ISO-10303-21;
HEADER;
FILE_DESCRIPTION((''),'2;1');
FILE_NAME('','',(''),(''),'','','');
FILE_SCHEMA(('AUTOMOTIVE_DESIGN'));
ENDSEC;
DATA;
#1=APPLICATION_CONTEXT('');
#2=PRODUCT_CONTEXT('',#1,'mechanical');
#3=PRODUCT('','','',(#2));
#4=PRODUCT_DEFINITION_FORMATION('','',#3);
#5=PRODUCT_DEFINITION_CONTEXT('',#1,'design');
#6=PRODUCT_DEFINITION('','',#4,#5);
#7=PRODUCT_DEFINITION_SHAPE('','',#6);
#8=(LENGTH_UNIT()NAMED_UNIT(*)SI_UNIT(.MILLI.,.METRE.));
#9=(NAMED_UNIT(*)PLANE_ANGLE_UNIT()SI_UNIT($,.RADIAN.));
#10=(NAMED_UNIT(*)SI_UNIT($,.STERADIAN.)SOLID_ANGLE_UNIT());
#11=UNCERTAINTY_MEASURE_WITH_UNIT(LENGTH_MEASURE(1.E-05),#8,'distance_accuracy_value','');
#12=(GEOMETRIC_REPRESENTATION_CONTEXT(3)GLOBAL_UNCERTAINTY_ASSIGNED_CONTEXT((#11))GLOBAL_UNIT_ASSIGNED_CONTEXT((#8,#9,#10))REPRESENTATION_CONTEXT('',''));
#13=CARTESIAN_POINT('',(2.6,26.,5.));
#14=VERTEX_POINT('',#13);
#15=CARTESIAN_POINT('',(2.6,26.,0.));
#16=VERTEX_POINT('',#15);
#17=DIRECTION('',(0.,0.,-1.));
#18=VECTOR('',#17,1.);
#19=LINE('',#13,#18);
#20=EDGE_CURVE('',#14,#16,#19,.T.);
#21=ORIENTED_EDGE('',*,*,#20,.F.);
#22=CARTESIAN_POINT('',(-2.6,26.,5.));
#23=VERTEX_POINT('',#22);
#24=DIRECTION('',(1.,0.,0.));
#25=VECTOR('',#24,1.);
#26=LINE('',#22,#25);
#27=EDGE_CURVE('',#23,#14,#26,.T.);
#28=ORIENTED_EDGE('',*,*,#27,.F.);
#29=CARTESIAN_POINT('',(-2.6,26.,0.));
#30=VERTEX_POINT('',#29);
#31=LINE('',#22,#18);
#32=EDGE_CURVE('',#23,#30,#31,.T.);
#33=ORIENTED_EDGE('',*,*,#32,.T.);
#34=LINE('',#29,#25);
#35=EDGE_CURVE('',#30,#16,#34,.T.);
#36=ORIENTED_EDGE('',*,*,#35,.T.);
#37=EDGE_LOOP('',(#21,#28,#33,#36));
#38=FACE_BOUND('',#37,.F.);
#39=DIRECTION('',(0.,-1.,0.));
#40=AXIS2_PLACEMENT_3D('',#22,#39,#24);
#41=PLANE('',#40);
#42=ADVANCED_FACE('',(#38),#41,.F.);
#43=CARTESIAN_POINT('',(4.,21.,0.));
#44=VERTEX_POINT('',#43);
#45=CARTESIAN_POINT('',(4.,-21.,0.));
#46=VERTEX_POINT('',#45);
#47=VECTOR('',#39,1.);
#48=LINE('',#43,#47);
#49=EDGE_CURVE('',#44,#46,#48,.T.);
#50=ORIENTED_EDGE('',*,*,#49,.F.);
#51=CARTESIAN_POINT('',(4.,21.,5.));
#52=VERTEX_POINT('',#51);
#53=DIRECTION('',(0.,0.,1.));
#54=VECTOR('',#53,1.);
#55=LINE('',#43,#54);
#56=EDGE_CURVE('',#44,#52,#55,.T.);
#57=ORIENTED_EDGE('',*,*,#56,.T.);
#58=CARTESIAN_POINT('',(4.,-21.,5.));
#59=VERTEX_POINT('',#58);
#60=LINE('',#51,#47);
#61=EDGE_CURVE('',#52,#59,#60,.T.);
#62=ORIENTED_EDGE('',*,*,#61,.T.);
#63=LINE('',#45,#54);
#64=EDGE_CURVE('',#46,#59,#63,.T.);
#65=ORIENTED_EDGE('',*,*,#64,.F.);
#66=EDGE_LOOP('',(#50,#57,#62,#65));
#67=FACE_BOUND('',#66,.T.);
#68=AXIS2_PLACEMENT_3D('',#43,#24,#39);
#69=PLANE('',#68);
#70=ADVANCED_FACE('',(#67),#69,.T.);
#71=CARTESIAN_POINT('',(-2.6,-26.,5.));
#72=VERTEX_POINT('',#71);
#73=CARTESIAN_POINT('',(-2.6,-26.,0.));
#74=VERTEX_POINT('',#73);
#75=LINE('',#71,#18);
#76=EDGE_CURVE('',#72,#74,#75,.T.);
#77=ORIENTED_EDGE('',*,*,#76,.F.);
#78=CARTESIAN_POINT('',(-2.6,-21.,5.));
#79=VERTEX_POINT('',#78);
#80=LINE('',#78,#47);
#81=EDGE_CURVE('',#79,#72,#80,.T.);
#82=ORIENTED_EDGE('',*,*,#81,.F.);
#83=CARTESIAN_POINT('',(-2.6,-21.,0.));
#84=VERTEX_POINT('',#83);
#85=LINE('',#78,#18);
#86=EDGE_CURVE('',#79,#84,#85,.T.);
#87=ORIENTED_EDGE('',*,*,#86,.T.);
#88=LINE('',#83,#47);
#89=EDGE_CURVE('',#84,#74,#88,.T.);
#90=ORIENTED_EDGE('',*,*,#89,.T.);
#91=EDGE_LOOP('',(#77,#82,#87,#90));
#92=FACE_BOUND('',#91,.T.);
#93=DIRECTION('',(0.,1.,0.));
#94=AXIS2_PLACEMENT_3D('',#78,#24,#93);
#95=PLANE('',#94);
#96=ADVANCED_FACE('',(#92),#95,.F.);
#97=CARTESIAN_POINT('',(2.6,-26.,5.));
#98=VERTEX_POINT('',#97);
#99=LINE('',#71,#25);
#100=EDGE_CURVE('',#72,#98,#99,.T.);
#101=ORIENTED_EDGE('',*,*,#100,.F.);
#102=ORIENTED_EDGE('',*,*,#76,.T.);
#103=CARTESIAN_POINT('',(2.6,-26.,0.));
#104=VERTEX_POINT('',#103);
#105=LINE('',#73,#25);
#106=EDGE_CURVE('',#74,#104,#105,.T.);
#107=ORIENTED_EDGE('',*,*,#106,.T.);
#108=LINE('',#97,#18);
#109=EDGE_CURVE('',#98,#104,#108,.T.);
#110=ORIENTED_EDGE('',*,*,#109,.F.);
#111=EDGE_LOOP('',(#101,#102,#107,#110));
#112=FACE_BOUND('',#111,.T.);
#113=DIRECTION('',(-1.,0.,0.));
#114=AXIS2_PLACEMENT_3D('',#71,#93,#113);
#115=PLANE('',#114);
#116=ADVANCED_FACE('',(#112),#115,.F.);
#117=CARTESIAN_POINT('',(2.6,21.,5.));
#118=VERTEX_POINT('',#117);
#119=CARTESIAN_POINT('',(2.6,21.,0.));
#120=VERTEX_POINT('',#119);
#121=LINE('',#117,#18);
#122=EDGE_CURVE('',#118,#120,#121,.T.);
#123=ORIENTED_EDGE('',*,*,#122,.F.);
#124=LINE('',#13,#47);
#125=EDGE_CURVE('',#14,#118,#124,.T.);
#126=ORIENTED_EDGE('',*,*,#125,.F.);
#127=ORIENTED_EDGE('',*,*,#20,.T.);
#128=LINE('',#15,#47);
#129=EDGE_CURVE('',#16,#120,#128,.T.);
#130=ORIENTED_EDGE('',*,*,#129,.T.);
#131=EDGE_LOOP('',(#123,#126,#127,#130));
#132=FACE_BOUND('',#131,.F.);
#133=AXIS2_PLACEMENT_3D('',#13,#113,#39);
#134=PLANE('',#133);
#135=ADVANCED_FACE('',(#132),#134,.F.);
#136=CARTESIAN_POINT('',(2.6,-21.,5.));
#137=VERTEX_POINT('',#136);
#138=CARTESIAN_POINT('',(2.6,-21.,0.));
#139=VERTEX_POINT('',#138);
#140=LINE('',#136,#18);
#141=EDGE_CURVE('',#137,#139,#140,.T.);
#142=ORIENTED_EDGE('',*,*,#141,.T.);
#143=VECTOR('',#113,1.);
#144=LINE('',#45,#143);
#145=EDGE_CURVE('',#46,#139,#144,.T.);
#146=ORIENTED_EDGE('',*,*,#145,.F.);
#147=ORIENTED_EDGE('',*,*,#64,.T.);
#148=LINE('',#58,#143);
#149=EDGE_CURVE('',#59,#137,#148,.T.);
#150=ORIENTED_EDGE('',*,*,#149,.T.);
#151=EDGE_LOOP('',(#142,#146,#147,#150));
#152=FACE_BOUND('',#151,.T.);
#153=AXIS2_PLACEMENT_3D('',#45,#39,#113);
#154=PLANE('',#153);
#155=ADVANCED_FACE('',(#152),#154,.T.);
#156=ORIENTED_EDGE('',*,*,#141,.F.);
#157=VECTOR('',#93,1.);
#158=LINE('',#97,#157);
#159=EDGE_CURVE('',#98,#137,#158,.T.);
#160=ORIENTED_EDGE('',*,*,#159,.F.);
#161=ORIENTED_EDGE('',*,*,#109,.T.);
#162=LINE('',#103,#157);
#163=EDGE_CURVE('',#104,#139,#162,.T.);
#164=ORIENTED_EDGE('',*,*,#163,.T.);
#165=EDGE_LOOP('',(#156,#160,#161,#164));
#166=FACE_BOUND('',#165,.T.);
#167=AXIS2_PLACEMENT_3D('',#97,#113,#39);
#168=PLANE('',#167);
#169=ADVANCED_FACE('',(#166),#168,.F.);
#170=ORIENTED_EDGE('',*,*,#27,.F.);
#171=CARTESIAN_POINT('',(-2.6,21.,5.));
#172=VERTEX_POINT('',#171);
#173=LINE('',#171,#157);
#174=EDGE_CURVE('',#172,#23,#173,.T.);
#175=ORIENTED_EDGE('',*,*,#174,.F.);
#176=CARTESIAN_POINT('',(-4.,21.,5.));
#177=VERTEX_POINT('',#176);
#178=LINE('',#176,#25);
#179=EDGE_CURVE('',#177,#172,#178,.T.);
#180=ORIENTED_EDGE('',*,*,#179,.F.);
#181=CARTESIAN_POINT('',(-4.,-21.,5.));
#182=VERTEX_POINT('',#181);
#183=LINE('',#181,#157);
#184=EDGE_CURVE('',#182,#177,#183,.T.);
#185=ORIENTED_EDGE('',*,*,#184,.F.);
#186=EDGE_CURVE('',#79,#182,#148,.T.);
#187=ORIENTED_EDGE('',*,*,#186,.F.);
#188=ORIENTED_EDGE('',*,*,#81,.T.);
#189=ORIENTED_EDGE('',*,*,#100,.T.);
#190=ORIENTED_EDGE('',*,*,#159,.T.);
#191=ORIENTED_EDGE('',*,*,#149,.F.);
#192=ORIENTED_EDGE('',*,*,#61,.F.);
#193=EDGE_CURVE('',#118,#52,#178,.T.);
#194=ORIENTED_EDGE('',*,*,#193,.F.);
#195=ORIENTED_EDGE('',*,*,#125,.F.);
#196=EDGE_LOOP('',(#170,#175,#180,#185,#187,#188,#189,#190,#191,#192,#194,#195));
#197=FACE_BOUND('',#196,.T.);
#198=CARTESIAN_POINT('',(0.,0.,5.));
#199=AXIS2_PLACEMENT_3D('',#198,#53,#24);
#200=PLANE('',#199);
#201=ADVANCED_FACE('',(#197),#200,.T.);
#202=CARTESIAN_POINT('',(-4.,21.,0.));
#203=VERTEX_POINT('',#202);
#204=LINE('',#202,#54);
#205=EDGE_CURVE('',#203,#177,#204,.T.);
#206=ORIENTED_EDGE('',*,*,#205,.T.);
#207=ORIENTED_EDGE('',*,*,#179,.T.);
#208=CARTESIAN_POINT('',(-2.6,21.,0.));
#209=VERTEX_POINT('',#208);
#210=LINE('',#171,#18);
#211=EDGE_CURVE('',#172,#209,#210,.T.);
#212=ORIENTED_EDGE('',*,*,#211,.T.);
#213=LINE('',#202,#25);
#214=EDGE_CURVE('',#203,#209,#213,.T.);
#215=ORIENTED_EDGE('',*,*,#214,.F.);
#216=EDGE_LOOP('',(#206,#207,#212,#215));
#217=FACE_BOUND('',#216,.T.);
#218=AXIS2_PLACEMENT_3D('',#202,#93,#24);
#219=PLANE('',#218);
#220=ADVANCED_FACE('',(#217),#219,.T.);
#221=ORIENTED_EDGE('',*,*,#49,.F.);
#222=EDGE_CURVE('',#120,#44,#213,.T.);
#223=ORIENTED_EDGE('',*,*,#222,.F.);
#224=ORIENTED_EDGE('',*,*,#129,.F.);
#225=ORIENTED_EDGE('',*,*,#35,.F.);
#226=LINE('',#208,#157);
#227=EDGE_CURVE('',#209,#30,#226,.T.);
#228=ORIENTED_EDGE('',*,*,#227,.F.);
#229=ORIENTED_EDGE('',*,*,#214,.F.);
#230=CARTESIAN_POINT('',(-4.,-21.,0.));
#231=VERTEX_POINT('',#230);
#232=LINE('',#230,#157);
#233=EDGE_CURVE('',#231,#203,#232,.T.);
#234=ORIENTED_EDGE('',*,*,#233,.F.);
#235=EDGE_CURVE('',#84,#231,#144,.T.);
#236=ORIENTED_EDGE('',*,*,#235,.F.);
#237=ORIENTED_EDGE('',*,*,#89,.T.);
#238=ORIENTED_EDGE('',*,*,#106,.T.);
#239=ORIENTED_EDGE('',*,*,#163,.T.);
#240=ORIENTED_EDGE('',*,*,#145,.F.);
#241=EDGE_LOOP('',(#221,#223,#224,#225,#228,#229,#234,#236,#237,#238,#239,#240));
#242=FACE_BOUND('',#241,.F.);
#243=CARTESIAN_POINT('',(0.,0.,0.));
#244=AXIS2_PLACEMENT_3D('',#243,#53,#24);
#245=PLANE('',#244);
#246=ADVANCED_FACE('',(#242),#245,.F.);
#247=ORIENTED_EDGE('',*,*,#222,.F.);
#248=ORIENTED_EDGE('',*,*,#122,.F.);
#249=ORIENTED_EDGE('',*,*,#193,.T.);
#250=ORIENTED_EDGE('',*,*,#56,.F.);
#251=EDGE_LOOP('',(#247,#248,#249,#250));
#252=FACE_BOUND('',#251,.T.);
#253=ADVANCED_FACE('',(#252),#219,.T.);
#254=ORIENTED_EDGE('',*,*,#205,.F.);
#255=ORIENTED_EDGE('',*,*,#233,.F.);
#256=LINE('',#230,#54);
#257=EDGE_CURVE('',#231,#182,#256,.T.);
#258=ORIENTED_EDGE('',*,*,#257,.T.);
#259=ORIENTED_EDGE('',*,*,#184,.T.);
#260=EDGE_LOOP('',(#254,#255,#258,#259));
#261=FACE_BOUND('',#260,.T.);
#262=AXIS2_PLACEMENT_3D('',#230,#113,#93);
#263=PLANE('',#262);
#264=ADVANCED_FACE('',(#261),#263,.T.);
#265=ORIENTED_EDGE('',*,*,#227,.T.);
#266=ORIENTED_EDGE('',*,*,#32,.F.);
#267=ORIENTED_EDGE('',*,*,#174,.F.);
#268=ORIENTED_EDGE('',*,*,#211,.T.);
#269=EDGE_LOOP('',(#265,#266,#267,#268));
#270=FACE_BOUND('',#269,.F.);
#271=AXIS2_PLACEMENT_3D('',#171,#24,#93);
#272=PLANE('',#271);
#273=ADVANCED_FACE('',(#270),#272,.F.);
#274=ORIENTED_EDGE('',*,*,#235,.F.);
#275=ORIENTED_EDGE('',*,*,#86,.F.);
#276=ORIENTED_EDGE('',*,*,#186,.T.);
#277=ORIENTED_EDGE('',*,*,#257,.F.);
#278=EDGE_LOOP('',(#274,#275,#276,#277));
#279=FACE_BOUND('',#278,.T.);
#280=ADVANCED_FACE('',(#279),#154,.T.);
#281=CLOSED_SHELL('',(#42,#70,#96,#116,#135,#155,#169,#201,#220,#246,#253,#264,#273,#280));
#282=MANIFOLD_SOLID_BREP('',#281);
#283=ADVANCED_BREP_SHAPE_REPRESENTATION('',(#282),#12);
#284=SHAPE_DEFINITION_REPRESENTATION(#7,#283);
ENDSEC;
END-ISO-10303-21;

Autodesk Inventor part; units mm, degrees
ref_plane "YZ Plane" through (0, 0, 0) normal (1, 0, 0) x (0, 1, 0)
ref_plane "XZ Plane" through (0, 0, 0) normal (0, 1, 0) x (-1, 0, 0)
ref_plane "XY Plane" through (0, 0, 0) normal (0, 0, 1) x (1, 0, 0)
sketch "Sketch1" plane through (0, 0, 0) normal (0, 0, 1) x (1, 0, 0)
  line L0 (-4, 21) -> (4, 21)
  line L1 (4, 21) -> (4, -21)
  line L2 (4, -21) -> (-4, -21)
  line L3 (-4, -21) -> (-4, 21)
  line L4 (-4, 21) -> (4, -21) construction
  line L5 (4, 21) -> (-4, -21) construction
  point P0 (0, 0)
  dimension "d0" = 8
  dimension "d1" = 42
extrude "Extrusion1" add sketch "Sketch1" along normal blind 5
sketch "Sketch2" plane through (0, 0, 5) normal (0, 0, 1) x (1, 0, 0)
  line L0 (4, 21) -> (-4, 21) projected
  line L1 (-2.6, 26) -> (2.6, 26)
  line L2 (2.6, 26) -> (2.6, 21)
  line L3 (2.6, 21) -> (-2.6, 21)
  line L4 (-2.6, 21) -> (-2.6, 26)
  line L5 (-2.6, 26) -> (2.6, 21) construction
  line L6 (2.6, 26) -> (-2.6, 21) construction
  point P0 (0, 0)
  point P1 (0, 23.5)
  point P2 (0, 21)
  dimension "d4" = 5.2
  dimension "d5" = 5
extrude "Extrusion2" add sketch "Sketch2" against normal blind 5
mirror "Mirror1" about plane through (0, 0, 0) normal (0, 1, 0) of "Extrusion2"
equation "\"kerf\" = 0.15"
properties part number "Stopper"
